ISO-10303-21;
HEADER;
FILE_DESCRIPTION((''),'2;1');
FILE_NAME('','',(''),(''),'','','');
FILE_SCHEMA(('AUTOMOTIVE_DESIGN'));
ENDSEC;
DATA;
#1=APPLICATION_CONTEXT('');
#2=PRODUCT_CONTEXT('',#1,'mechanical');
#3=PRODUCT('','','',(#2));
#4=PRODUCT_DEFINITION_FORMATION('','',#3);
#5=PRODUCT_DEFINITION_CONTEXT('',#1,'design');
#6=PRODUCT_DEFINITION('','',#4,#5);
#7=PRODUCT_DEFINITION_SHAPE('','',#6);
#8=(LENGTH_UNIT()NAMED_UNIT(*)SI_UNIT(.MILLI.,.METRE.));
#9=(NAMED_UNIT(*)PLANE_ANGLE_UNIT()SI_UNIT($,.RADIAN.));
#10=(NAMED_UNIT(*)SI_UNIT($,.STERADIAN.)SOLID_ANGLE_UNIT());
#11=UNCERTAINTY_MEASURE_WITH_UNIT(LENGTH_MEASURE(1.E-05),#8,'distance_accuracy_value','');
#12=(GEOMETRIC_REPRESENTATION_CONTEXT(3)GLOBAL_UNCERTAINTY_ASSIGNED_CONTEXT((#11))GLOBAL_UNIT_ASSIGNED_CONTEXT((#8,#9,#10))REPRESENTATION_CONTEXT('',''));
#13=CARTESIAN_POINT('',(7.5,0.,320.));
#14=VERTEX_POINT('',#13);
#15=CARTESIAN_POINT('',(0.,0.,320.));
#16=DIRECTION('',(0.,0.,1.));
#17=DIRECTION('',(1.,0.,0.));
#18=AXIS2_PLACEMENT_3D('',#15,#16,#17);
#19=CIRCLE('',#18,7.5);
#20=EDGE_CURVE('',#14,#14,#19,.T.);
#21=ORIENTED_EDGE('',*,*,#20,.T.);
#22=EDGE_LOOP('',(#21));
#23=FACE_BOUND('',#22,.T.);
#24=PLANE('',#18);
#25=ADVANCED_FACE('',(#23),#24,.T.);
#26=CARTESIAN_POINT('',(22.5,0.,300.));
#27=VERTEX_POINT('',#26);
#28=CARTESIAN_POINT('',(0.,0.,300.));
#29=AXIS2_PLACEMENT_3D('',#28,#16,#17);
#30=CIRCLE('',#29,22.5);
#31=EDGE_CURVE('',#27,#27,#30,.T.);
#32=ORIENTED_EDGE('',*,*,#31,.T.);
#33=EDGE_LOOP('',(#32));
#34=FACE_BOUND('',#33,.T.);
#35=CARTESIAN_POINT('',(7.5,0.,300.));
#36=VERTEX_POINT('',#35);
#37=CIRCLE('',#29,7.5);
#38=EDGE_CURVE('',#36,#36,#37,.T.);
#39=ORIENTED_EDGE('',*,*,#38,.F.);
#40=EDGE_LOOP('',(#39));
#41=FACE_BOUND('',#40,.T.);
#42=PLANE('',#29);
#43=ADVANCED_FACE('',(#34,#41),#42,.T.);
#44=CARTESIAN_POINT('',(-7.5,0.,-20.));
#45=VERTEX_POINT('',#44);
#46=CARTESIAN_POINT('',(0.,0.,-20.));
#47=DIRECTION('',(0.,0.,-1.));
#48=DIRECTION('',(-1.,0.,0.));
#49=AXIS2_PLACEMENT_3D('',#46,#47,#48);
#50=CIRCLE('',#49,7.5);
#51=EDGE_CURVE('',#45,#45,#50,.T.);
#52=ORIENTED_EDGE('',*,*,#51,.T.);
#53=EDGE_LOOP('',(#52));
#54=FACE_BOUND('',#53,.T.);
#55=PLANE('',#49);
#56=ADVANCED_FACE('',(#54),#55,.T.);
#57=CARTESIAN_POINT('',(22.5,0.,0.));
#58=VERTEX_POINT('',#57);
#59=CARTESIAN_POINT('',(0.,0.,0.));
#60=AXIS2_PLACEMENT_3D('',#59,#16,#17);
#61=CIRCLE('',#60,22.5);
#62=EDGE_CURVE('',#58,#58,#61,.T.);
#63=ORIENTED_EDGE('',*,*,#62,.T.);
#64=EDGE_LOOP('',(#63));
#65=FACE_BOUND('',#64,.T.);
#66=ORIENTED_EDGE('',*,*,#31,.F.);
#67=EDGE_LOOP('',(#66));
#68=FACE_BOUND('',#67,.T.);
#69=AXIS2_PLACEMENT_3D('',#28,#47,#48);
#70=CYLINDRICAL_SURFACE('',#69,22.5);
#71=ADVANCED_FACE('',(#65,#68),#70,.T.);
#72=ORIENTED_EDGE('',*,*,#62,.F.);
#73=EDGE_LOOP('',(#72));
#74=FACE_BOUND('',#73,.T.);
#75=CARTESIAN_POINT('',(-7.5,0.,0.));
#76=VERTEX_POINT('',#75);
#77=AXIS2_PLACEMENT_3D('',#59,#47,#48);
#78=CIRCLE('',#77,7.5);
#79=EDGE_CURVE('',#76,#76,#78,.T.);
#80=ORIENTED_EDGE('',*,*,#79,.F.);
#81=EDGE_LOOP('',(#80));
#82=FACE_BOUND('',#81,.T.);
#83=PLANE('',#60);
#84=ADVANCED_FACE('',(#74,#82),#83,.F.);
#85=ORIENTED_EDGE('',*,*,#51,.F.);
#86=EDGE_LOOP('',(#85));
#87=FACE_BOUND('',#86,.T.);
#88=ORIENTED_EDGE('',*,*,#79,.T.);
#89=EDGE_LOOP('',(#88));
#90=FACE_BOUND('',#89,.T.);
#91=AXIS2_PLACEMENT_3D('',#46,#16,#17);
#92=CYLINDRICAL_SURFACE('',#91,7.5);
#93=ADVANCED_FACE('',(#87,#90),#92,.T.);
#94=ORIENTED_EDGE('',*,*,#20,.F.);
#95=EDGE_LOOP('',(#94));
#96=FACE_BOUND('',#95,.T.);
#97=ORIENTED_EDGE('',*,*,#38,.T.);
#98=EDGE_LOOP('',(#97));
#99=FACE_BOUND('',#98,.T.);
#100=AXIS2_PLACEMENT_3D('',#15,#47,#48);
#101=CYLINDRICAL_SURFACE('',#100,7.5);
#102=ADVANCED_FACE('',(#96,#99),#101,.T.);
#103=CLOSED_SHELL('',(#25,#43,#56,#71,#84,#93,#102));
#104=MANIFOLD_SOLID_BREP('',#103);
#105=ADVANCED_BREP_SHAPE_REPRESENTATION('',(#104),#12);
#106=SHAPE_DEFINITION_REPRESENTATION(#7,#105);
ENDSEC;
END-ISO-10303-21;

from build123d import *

# Parameters (mm, degrees)
SKETCH1_R           = 22.5
BOSS_EXTRUDE1_DEPTH = 300
SKETCH2_R           = 7.5
BOSS_EXTRUDE2_DEPTH = 20
SKETCH3_R           = 7.5
BOSS_EXTRUDE3_DEPTH = 20


with BuildPart() as part:
    # Sketch1 → Boss-Extrude1 (new body)
    with BuildSketch(Plane.XY):
        Circle(SKETCH1_R)
    extrude(amount=BOSS_EXTRUDE1_DEPTH)

    # Sketch2 → Boss-Extrude2 (add)
    with BuildSketch(Plane.XY.offset(300)):
        Circle(SKETCH2_R)
    extrude(amount=BOSS_EXTRUDE2_DEPTH)

    # Sketch3 → Boss-Extrude3 (add)
    with BuildSketch(Plane(origin=(0, 0, 0), x_dir=(-1, 0, 0), z_dir=(0, 0, -1))):
        Circle(SKETCH3_R)
    extrude(amount=BOSS_EXTRUDE3_DEPTH)


solid = part.part
